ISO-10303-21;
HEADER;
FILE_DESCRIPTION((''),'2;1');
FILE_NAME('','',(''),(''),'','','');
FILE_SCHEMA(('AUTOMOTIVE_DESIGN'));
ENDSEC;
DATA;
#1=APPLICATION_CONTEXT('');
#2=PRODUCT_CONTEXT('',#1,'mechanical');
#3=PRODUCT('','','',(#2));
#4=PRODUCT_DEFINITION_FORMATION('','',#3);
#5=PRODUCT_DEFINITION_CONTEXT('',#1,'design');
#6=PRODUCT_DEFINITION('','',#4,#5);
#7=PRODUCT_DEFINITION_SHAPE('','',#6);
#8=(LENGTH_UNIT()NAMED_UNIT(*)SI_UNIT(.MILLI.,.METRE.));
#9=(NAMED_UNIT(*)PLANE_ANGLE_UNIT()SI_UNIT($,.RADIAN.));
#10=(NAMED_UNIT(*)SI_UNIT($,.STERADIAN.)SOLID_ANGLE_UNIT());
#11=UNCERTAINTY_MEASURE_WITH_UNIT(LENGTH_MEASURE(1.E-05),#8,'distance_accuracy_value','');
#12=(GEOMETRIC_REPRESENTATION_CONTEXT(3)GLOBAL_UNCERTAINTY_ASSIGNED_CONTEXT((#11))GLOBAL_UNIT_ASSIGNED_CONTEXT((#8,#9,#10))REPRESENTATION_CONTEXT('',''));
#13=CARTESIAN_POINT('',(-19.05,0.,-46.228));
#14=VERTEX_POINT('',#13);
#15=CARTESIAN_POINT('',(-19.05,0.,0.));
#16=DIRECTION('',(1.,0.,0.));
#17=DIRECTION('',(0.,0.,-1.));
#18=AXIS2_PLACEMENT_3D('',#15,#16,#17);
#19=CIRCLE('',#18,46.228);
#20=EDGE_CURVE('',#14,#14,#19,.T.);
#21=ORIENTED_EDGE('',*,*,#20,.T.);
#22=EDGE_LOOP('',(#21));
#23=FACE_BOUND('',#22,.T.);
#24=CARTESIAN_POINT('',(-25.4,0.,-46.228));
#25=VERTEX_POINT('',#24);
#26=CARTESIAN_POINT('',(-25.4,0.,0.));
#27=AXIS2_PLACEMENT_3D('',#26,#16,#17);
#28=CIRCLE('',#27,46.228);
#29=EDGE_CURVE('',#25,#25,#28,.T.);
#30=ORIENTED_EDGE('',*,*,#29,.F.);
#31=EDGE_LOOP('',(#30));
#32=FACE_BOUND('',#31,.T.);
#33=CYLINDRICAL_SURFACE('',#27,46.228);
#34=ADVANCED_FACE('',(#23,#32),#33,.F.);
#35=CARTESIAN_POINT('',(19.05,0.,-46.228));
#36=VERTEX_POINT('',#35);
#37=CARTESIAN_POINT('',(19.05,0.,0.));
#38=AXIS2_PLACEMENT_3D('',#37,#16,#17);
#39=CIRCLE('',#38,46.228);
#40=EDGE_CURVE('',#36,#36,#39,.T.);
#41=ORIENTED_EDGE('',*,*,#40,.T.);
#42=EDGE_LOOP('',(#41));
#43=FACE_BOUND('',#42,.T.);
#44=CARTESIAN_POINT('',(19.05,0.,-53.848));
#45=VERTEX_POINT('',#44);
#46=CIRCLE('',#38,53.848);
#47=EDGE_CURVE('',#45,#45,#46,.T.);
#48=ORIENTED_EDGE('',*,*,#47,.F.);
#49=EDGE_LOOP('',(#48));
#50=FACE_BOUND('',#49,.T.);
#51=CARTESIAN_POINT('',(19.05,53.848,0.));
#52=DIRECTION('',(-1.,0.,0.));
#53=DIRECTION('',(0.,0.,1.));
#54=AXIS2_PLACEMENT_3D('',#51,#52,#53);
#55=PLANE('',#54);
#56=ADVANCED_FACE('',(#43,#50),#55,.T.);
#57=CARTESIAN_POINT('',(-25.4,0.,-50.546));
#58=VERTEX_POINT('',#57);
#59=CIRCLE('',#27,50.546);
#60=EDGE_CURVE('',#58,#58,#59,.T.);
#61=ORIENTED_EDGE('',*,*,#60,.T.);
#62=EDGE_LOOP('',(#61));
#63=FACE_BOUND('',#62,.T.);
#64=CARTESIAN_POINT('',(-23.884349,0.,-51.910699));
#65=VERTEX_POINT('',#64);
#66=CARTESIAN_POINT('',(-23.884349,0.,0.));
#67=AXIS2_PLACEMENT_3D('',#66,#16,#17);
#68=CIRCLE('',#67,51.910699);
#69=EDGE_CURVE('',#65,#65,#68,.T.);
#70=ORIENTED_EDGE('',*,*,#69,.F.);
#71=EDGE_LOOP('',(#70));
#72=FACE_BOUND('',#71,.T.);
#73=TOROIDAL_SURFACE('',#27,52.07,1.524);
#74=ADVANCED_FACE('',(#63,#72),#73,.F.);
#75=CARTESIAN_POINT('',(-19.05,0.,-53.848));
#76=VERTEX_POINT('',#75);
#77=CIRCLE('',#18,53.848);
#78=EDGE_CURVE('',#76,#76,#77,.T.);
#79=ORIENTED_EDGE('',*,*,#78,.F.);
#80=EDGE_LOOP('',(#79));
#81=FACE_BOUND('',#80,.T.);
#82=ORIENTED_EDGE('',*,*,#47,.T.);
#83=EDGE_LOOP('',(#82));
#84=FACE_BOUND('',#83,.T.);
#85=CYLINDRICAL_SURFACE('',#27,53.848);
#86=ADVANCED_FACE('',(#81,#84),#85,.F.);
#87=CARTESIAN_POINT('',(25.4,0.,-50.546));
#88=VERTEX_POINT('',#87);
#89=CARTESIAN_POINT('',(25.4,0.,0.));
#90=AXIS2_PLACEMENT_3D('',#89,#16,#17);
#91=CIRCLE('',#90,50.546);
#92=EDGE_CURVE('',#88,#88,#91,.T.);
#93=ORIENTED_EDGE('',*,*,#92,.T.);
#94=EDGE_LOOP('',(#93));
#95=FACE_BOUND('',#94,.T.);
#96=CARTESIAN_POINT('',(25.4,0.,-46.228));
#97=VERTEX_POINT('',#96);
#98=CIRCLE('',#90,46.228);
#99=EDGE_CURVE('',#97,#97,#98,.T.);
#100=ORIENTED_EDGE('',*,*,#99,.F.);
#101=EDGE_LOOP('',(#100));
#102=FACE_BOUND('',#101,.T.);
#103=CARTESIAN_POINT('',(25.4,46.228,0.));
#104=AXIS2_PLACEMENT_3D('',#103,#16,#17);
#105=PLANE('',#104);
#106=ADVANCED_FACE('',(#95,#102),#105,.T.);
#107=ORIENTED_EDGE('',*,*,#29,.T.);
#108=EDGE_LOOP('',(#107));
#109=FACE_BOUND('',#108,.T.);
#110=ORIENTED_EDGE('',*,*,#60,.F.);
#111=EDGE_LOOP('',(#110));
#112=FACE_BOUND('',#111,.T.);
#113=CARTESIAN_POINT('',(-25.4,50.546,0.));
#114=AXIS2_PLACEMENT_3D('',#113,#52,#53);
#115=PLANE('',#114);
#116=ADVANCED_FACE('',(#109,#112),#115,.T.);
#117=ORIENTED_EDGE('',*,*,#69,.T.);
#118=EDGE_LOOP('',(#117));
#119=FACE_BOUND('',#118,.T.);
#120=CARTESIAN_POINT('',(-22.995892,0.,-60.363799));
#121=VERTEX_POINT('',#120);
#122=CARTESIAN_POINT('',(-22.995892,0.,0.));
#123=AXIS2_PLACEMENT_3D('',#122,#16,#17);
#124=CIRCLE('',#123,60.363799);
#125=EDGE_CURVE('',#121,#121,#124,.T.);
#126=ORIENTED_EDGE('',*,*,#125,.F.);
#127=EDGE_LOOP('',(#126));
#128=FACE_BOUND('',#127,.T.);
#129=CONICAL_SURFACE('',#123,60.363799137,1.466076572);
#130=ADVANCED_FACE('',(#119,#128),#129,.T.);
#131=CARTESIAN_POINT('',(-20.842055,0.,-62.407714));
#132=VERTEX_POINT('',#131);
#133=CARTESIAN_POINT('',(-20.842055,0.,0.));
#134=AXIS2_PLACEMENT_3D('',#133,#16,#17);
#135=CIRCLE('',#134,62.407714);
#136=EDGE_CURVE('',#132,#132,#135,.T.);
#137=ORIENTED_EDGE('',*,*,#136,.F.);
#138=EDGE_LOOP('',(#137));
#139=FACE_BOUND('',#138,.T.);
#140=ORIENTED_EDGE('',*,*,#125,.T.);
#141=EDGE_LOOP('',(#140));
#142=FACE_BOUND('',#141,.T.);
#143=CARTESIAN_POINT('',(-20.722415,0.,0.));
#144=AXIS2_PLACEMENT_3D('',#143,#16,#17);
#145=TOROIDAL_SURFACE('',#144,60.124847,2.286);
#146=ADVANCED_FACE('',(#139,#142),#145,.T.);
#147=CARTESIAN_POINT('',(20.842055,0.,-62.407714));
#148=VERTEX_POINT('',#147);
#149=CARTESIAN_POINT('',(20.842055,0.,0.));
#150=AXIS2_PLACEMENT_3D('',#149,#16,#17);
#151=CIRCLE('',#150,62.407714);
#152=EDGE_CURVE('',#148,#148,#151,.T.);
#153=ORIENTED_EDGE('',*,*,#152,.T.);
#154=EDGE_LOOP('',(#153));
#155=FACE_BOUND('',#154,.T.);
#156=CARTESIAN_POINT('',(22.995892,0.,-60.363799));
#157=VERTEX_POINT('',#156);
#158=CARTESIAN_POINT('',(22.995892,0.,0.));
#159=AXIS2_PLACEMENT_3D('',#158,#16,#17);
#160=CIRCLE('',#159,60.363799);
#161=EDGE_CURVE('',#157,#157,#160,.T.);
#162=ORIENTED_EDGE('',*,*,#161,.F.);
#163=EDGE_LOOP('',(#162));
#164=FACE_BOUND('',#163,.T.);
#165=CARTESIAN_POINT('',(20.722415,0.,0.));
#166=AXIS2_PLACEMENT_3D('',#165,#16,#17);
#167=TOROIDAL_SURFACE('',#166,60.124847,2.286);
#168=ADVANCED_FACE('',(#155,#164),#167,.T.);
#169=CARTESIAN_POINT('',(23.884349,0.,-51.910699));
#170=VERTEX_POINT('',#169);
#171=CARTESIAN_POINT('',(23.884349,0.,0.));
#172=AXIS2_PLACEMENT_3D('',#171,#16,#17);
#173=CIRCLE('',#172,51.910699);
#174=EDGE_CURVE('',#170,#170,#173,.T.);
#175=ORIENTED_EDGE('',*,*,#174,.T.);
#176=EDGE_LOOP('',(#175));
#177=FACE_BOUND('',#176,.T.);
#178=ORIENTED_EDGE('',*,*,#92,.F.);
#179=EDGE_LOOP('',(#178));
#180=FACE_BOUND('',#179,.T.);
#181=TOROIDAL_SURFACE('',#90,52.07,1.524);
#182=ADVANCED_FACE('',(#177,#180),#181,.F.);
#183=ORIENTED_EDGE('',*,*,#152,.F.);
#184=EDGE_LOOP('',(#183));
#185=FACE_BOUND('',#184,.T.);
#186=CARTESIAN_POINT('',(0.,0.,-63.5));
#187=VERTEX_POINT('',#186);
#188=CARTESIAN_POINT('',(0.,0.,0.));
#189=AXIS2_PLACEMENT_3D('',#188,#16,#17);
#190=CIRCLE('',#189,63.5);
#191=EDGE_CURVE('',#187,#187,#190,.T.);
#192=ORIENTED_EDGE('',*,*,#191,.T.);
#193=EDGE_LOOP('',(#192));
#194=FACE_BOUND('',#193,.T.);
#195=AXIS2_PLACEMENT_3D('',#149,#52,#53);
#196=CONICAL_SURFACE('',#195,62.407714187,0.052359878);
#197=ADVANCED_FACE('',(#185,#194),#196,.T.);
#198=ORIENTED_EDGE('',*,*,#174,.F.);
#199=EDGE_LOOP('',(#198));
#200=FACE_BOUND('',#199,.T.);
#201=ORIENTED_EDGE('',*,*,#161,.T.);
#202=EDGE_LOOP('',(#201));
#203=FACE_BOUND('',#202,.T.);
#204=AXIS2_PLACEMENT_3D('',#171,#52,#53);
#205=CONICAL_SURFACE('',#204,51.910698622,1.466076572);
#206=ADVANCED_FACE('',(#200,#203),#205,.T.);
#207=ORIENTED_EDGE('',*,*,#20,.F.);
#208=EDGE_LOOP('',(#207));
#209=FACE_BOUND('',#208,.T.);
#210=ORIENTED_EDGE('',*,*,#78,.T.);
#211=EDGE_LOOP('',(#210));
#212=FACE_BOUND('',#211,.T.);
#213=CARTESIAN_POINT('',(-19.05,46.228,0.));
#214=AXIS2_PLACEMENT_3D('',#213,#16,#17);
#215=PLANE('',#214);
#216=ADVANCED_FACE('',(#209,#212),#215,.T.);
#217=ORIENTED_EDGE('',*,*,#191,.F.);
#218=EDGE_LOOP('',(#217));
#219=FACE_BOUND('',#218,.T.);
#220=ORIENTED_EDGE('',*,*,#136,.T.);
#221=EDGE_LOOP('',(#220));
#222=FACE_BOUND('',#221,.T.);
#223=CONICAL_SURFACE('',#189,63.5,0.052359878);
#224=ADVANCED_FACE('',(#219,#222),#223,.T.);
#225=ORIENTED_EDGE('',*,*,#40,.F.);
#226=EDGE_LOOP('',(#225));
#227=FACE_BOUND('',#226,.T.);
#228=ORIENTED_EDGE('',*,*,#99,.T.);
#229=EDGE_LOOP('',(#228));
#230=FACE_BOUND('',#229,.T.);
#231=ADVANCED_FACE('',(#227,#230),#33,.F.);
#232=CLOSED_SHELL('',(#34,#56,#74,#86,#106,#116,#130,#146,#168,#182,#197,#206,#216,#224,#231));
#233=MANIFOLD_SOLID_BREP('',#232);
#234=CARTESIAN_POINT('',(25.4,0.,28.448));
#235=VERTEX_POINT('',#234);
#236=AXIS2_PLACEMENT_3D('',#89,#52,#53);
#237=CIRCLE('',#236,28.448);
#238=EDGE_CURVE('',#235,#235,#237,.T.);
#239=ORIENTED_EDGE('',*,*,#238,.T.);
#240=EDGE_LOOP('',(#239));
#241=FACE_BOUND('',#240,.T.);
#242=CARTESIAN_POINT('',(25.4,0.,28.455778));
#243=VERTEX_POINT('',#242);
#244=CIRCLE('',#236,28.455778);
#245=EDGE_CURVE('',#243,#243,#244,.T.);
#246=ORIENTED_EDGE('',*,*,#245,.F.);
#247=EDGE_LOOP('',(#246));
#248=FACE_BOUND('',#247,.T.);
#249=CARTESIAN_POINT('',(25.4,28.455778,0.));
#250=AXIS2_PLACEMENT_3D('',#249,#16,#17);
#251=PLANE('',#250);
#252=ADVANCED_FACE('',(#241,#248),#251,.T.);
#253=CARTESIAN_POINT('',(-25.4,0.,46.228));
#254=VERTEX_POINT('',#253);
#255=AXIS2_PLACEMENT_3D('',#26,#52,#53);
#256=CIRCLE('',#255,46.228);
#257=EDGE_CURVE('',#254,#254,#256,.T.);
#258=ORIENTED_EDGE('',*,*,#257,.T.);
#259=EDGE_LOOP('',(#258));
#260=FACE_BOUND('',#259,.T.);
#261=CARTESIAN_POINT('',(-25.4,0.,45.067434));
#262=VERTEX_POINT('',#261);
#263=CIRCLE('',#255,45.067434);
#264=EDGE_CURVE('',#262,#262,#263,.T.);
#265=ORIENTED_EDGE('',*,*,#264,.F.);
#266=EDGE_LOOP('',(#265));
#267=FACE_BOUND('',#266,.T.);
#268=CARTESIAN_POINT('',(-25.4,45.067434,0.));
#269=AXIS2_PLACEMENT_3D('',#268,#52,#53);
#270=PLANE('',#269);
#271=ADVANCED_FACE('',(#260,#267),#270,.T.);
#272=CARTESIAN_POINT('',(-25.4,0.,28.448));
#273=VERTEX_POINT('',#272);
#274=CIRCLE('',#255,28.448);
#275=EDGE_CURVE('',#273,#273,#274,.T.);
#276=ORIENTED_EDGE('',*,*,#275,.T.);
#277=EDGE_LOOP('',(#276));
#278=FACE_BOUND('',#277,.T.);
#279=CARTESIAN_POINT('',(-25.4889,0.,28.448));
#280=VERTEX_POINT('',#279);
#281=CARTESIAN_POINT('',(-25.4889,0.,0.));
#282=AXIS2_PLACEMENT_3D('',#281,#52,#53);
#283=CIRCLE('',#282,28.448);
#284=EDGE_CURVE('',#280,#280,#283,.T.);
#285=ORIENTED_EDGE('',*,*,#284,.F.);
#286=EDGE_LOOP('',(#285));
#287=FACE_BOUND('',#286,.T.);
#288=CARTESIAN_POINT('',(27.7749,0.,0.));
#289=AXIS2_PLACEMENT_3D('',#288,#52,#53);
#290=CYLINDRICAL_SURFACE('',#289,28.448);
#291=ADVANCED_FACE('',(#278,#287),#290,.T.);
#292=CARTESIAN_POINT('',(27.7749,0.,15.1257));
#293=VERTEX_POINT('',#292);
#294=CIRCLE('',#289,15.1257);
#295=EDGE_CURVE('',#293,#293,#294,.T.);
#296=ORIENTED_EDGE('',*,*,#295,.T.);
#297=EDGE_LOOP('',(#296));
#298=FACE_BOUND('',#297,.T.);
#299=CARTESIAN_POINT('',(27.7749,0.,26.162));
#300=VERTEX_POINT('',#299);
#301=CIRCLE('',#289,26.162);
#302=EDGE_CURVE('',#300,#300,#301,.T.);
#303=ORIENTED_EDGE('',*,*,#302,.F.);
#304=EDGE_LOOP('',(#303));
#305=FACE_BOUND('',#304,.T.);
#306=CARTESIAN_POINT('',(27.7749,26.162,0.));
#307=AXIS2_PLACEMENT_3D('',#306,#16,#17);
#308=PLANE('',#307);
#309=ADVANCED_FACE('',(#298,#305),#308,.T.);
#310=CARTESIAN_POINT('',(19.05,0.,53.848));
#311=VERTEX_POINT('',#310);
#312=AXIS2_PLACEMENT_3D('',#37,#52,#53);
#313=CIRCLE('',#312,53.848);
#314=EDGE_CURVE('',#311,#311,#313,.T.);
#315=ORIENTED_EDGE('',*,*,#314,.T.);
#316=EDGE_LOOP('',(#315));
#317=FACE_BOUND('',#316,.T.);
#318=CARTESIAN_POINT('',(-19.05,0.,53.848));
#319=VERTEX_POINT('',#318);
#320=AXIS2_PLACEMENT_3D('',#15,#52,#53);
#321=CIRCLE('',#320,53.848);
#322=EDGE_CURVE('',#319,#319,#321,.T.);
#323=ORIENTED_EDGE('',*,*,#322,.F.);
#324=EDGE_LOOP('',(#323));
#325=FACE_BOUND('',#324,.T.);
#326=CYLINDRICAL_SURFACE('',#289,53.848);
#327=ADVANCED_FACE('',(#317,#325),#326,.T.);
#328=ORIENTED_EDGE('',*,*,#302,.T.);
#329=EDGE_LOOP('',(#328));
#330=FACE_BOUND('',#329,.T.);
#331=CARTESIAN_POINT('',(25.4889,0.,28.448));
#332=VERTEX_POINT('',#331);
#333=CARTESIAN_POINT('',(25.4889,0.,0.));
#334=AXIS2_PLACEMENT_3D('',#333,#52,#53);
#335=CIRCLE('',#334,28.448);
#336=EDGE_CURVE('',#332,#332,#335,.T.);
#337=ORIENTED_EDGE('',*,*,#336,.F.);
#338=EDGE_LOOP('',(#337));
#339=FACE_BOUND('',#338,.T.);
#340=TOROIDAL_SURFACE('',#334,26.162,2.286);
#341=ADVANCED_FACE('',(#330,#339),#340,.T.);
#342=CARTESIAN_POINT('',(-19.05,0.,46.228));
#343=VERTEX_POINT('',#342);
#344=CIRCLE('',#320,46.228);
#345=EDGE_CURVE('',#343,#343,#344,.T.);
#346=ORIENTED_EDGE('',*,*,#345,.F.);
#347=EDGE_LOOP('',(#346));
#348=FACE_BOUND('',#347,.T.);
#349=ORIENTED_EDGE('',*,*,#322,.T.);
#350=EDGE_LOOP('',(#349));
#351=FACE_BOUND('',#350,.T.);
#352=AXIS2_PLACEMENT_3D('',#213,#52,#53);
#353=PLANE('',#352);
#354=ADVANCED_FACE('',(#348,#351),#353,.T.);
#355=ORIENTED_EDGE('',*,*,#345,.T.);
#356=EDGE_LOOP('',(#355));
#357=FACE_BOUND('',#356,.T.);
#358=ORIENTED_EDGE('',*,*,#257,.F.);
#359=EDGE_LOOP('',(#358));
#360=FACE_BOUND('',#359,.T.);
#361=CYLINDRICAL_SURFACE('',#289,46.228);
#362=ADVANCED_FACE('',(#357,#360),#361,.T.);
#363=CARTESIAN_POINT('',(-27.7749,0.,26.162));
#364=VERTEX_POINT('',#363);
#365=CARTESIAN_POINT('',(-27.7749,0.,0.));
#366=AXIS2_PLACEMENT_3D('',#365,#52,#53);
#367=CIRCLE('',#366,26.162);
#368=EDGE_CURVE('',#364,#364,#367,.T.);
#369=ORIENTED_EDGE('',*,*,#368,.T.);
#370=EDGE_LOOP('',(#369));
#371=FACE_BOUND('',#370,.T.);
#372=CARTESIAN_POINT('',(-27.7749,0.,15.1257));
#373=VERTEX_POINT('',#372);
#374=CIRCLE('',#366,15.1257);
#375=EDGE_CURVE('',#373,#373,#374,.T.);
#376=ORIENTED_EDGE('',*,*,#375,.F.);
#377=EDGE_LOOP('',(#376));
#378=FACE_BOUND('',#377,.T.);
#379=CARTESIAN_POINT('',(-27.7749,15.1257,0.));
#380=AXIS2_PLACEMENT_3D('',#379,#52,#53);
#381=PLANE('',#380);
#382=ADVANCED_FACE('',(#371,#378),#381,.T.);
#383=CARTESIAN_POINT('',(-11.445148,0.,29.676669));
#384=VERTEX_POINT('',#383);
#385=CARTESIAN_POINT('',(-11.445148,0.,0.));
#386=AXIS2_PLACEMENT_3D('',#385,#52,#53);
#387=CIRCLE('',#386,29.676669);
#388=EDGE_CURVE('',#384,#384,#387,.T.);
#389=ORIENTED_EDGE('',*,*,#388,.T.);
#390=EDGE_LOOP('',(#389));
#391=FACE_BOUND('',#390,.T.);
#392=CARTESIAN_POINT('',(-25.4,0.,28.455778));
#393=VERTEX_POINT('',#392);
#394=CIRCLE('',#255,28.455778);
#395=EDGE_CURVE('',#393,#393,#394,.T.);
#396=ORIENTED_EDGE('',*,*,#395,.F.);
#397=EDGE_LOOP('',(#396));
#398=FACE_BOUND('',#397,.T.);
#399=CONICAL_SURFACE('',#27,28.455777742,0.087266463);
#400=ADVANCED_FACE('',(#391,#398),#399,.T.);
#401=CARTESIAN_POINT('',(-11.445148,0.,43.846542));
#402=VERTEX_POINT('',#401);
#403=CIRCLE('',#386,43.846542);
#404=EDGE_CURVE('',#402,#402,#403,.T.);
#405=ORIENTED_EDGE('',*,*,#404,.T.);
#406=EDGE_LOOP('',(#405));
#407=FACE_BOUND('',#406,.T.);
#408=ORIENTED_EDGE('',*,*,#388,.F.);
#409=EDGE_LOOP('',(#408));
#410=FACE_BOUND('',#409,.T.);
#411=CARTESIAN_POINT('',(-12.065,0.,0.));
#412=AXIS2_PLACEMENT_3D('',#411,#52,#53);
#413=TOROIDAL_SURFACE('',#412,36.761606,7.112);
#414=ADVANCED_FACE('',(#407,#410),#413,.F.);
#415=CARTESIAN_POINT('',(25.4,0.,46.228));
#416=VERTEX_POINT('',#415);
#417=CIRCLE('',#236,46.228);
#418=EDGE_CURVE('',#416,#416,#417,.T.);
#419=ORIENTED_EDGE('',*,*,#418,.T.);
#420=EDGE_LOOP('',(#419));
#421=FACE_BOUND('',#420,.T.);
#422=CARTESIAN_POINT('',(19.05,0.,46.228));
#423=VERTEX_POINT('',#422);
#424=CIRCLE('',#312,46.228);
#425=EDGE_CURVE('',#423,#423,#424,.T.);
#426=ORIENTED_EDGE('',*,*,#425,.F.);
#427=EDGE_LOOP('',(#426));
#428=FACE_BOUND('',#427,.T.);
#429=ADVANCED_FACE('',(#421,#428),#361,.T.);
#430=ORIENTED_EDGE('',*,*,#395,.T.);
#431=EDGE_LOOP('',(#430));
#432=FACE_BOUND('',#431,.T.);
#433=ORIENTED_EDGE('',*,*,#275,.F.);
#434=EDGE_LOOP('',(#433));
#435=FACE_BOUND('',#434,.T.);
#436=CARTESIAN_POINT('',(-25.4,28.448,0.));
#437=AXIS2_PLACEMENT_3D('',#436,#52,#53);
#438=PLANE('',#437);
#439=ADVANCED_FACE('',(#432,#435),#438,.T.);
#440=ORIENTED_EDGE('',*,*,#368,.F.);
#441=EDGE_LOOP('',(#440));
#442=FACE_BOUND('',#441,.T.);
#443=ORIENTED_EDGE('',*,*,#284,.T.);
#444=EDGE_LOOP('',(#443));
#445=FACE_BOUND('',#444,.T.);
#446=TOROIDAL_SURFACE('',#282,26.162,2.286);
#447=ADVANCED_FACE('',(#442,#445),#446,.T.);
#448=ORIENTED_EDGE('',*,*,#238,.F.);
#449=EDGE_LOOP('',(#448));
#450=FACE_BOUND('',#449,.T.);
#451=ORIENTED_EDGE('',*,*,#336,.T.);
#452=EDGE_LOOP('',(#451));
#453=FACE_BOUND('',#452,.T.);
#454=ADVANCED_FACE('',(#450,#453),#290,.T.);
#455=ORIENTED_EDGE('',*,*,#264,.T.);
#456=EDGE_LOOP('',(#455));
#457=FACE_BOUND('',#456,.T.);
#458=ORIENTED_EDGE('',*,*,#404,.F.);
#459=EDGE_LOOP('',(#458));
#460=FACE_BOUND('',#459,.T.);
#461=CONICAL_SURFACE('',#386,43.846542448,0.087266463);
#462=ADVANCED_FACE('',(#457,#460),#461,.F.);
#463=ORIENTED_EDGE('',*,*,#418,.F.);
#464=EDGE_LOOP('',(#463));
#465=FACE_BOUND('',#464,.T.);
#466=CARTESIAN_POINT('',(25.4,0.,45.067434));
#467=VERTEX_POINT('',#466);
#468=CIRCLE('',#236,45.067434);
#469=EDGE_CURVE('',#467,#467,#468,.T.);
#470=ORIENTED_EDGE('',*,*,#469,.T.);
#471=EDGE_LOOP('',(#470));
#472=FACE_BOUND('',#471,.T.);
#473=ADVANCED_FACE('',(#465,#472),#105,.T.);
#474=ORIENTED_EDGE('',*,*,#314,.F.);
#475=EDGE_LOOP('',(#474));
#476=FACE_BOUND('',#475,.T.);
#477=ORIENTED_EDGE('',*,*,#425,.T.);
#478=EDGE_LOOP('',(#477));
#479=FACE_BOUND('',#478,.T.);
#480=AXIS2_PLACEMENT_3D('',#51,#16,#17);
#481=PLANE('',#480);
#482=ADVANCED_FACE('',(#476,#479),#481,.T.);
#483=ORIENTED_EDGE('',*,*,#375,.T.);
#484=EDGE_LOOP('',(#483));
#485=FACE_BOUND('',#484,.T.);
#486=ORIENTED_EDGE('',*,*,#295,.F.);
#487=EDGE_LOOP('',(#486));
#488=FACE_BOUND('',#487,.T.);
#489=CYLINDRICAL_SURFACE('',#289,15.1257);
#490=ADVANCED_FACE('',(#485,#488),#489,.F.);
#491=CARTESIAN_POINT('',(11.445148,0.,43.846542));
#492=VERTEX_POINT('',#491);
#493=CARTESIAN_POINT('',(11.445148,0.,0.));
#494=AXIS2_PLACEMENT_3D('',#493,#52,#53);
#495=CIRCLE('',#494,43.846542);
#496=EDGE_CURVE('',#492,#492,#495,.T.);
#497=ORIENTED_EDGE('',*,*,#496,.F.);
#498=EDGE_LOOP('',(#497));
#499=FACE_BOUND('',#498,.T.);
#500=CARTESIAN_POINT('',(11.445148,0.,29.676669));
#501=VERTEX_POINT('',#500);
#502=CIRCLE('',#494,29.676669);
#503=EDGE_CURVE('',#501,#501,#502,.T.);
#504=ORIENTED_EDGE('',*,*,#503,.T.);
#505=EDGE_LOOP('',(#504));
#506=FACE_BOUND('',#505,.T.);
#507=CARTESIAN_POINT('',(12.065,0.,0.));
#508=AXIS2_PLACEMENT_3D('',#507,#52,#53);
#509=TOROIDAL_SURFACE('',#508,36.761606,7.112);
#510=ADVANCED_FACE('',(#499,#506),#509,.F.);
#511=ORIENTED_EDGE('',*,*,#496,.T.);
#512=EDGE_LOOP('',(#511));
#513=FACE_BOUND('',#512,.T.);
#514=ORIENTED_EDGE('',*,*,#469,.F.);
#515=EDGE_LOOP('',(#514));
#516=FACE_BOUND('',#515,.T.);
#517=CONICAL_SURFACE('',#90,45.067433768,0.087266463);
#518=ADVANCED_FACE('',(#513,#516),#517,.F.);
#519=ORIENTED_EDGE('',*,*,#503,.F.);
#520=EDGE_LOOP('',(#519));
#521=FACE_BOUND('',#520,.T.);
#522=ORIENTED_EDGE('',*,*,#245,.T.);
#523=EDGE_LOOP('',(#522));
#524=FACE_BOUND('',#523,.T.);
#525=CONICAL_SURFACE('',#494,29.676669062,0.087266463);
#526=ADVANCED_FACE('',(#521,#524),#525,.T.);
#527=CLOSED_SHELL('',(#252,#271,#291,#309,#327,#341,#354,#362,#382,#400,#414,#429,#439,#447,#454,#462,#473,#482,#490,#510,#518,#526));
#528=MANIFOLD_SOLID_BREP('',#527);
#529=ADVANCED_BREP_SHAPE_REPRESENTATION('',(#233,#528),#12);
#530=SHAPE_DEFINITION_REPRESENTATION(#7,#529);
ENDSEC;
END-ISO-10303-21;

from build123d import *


with BuildPart() as part:
    # Sketch4 → Revolve3 (revolve)
    with BuildSketch(Plane.XY, mode=Mode.PRIVATE) as revolve3_sk:
        with BuildLine():
            Line((25.4, 46.228), (25.4, 50.546))
            ThreePointArc((25.4, 50.546), (24.380244956, 50.937447286), (23.884348631, 51.910698622))
            Line((23.884348631, 51.910698622), (22.995891966, 60.363799137))
            ThreePointArc((22.995891966, 60.363799137), (22.295993473, 61.783052882), (20.842054909, 62.407714187))
            Line((20.842054909, 62.407714187), (0, 63.5))
            Line((0, 63.5), (-20.842054909, 62.407714187))
            ThreePointArc((-20.842054909, 62.407714187), (-22.295993473, 61.783052882), (-22.995891966, 60.363799137))
            Line((-22.995891966, 60.363799137), (-23.884348631, 51.910698622))
            ThreePointArc((-23.884348631, 51.910698622), (-24.380244956, 50.937447286), (-25.4, 50.546))
            Line((-25.4, 50.546), (-25.4, 46.228))
            Line((-25.4, 46.228), (-19.05, 46.228))
            Line((-19.05, 46.228), (-19.05, 53.848))
            Line((-19.05, 53.848), (19.05, 53.848))
            Line((19.05, 53.848), (19.05, 46.228))
            Line((19.05, 46.228), (25.4, 46.228))
        make_face()
    revolve(revolve3_sk.sketch.rotate(Axis((-25.4, 0, 0), (1, 0, 0)), 270), axis=Axis((-25.4, 0, 0), (1, 0, 0)))


with BuildPart() as body_2:
    # Sketch8 → Revolve4 (revolve)
    with BuildSketch(Plane(origin=(0, 0, 0), x_dir=(-1, 0, 0), z_dir=(0, 0, -1)), mode=Mode.PRIVATE) as revolve4_sk:
        with BuildLine():
            Line((-27.7749, 15.1257), (27.7749, 15.1257))
            Line((27.7749, 15.1257), (27.7749, 26.162))
            ThreePointArc((27.7749, 26.162), (27.105346102, 27.778446102), (25.4889, 28.448))
            Line((25.4889, 28.448), (25.4, 28.448))
            Line((25.4, 28.448), (25.4, 28.455777742))
            Line((25.4, 28.455777742), (11.445148358, 29.676669062))
            ThreePointArc((11.445148358, 29.676669062), (4.953, 36.761605755), (11.445148358, 43.846542448))
            Line((11.445148358, 43.846542448), (25.4, 45.067433768))
            Line((25.4, 45.067433768), (25.4, 46.228))
            Line((25.4, 46.228), (19.05, 46.228))
            Line((19.05, 46.228), (19.05, 53.848))
            Line((19.05, 53.848), (-19.05, 53.848))
            Line((-19.05, 53.848), (-19.05, 46.228))
            Line((-19.05, 46.228), (-25.4, 46.228))
            Line((-25.4, 46.228), (-25.4, 45.067433768))
            Line((-25.4, 45.067433768), (-11.445148358, 43.846542448))
            ThreePointArc((-11.445148358, 43.846542448), (-4.953, 36.761605755), (-11.445148358, 29.676669062))
            Line((-11.445148358, 29.676669062), (-25.4, 28.455777742))
            Line((-25.4, 28.455777742), (-25.4, 28.448))
            Line((-25.4, 28.448), (-25.4889, 28.448))
            ThreePointArc((-25.4889, 28.448), (-27.105346102, 27.778446102), (-27.7749, 26.162))
            Line((-27.7749, 26.162), (-27.7749, 15.1257))
        make_face()
    revolve(revolve4_sk.sketch.rotate(Axis((27.7749, 0, 0), (-1, 0, 0)), 270), axis=Axis((27.7749, 0, 0), (-1, 0, 0)))


solid = Compound([part.part, body_2.part])
